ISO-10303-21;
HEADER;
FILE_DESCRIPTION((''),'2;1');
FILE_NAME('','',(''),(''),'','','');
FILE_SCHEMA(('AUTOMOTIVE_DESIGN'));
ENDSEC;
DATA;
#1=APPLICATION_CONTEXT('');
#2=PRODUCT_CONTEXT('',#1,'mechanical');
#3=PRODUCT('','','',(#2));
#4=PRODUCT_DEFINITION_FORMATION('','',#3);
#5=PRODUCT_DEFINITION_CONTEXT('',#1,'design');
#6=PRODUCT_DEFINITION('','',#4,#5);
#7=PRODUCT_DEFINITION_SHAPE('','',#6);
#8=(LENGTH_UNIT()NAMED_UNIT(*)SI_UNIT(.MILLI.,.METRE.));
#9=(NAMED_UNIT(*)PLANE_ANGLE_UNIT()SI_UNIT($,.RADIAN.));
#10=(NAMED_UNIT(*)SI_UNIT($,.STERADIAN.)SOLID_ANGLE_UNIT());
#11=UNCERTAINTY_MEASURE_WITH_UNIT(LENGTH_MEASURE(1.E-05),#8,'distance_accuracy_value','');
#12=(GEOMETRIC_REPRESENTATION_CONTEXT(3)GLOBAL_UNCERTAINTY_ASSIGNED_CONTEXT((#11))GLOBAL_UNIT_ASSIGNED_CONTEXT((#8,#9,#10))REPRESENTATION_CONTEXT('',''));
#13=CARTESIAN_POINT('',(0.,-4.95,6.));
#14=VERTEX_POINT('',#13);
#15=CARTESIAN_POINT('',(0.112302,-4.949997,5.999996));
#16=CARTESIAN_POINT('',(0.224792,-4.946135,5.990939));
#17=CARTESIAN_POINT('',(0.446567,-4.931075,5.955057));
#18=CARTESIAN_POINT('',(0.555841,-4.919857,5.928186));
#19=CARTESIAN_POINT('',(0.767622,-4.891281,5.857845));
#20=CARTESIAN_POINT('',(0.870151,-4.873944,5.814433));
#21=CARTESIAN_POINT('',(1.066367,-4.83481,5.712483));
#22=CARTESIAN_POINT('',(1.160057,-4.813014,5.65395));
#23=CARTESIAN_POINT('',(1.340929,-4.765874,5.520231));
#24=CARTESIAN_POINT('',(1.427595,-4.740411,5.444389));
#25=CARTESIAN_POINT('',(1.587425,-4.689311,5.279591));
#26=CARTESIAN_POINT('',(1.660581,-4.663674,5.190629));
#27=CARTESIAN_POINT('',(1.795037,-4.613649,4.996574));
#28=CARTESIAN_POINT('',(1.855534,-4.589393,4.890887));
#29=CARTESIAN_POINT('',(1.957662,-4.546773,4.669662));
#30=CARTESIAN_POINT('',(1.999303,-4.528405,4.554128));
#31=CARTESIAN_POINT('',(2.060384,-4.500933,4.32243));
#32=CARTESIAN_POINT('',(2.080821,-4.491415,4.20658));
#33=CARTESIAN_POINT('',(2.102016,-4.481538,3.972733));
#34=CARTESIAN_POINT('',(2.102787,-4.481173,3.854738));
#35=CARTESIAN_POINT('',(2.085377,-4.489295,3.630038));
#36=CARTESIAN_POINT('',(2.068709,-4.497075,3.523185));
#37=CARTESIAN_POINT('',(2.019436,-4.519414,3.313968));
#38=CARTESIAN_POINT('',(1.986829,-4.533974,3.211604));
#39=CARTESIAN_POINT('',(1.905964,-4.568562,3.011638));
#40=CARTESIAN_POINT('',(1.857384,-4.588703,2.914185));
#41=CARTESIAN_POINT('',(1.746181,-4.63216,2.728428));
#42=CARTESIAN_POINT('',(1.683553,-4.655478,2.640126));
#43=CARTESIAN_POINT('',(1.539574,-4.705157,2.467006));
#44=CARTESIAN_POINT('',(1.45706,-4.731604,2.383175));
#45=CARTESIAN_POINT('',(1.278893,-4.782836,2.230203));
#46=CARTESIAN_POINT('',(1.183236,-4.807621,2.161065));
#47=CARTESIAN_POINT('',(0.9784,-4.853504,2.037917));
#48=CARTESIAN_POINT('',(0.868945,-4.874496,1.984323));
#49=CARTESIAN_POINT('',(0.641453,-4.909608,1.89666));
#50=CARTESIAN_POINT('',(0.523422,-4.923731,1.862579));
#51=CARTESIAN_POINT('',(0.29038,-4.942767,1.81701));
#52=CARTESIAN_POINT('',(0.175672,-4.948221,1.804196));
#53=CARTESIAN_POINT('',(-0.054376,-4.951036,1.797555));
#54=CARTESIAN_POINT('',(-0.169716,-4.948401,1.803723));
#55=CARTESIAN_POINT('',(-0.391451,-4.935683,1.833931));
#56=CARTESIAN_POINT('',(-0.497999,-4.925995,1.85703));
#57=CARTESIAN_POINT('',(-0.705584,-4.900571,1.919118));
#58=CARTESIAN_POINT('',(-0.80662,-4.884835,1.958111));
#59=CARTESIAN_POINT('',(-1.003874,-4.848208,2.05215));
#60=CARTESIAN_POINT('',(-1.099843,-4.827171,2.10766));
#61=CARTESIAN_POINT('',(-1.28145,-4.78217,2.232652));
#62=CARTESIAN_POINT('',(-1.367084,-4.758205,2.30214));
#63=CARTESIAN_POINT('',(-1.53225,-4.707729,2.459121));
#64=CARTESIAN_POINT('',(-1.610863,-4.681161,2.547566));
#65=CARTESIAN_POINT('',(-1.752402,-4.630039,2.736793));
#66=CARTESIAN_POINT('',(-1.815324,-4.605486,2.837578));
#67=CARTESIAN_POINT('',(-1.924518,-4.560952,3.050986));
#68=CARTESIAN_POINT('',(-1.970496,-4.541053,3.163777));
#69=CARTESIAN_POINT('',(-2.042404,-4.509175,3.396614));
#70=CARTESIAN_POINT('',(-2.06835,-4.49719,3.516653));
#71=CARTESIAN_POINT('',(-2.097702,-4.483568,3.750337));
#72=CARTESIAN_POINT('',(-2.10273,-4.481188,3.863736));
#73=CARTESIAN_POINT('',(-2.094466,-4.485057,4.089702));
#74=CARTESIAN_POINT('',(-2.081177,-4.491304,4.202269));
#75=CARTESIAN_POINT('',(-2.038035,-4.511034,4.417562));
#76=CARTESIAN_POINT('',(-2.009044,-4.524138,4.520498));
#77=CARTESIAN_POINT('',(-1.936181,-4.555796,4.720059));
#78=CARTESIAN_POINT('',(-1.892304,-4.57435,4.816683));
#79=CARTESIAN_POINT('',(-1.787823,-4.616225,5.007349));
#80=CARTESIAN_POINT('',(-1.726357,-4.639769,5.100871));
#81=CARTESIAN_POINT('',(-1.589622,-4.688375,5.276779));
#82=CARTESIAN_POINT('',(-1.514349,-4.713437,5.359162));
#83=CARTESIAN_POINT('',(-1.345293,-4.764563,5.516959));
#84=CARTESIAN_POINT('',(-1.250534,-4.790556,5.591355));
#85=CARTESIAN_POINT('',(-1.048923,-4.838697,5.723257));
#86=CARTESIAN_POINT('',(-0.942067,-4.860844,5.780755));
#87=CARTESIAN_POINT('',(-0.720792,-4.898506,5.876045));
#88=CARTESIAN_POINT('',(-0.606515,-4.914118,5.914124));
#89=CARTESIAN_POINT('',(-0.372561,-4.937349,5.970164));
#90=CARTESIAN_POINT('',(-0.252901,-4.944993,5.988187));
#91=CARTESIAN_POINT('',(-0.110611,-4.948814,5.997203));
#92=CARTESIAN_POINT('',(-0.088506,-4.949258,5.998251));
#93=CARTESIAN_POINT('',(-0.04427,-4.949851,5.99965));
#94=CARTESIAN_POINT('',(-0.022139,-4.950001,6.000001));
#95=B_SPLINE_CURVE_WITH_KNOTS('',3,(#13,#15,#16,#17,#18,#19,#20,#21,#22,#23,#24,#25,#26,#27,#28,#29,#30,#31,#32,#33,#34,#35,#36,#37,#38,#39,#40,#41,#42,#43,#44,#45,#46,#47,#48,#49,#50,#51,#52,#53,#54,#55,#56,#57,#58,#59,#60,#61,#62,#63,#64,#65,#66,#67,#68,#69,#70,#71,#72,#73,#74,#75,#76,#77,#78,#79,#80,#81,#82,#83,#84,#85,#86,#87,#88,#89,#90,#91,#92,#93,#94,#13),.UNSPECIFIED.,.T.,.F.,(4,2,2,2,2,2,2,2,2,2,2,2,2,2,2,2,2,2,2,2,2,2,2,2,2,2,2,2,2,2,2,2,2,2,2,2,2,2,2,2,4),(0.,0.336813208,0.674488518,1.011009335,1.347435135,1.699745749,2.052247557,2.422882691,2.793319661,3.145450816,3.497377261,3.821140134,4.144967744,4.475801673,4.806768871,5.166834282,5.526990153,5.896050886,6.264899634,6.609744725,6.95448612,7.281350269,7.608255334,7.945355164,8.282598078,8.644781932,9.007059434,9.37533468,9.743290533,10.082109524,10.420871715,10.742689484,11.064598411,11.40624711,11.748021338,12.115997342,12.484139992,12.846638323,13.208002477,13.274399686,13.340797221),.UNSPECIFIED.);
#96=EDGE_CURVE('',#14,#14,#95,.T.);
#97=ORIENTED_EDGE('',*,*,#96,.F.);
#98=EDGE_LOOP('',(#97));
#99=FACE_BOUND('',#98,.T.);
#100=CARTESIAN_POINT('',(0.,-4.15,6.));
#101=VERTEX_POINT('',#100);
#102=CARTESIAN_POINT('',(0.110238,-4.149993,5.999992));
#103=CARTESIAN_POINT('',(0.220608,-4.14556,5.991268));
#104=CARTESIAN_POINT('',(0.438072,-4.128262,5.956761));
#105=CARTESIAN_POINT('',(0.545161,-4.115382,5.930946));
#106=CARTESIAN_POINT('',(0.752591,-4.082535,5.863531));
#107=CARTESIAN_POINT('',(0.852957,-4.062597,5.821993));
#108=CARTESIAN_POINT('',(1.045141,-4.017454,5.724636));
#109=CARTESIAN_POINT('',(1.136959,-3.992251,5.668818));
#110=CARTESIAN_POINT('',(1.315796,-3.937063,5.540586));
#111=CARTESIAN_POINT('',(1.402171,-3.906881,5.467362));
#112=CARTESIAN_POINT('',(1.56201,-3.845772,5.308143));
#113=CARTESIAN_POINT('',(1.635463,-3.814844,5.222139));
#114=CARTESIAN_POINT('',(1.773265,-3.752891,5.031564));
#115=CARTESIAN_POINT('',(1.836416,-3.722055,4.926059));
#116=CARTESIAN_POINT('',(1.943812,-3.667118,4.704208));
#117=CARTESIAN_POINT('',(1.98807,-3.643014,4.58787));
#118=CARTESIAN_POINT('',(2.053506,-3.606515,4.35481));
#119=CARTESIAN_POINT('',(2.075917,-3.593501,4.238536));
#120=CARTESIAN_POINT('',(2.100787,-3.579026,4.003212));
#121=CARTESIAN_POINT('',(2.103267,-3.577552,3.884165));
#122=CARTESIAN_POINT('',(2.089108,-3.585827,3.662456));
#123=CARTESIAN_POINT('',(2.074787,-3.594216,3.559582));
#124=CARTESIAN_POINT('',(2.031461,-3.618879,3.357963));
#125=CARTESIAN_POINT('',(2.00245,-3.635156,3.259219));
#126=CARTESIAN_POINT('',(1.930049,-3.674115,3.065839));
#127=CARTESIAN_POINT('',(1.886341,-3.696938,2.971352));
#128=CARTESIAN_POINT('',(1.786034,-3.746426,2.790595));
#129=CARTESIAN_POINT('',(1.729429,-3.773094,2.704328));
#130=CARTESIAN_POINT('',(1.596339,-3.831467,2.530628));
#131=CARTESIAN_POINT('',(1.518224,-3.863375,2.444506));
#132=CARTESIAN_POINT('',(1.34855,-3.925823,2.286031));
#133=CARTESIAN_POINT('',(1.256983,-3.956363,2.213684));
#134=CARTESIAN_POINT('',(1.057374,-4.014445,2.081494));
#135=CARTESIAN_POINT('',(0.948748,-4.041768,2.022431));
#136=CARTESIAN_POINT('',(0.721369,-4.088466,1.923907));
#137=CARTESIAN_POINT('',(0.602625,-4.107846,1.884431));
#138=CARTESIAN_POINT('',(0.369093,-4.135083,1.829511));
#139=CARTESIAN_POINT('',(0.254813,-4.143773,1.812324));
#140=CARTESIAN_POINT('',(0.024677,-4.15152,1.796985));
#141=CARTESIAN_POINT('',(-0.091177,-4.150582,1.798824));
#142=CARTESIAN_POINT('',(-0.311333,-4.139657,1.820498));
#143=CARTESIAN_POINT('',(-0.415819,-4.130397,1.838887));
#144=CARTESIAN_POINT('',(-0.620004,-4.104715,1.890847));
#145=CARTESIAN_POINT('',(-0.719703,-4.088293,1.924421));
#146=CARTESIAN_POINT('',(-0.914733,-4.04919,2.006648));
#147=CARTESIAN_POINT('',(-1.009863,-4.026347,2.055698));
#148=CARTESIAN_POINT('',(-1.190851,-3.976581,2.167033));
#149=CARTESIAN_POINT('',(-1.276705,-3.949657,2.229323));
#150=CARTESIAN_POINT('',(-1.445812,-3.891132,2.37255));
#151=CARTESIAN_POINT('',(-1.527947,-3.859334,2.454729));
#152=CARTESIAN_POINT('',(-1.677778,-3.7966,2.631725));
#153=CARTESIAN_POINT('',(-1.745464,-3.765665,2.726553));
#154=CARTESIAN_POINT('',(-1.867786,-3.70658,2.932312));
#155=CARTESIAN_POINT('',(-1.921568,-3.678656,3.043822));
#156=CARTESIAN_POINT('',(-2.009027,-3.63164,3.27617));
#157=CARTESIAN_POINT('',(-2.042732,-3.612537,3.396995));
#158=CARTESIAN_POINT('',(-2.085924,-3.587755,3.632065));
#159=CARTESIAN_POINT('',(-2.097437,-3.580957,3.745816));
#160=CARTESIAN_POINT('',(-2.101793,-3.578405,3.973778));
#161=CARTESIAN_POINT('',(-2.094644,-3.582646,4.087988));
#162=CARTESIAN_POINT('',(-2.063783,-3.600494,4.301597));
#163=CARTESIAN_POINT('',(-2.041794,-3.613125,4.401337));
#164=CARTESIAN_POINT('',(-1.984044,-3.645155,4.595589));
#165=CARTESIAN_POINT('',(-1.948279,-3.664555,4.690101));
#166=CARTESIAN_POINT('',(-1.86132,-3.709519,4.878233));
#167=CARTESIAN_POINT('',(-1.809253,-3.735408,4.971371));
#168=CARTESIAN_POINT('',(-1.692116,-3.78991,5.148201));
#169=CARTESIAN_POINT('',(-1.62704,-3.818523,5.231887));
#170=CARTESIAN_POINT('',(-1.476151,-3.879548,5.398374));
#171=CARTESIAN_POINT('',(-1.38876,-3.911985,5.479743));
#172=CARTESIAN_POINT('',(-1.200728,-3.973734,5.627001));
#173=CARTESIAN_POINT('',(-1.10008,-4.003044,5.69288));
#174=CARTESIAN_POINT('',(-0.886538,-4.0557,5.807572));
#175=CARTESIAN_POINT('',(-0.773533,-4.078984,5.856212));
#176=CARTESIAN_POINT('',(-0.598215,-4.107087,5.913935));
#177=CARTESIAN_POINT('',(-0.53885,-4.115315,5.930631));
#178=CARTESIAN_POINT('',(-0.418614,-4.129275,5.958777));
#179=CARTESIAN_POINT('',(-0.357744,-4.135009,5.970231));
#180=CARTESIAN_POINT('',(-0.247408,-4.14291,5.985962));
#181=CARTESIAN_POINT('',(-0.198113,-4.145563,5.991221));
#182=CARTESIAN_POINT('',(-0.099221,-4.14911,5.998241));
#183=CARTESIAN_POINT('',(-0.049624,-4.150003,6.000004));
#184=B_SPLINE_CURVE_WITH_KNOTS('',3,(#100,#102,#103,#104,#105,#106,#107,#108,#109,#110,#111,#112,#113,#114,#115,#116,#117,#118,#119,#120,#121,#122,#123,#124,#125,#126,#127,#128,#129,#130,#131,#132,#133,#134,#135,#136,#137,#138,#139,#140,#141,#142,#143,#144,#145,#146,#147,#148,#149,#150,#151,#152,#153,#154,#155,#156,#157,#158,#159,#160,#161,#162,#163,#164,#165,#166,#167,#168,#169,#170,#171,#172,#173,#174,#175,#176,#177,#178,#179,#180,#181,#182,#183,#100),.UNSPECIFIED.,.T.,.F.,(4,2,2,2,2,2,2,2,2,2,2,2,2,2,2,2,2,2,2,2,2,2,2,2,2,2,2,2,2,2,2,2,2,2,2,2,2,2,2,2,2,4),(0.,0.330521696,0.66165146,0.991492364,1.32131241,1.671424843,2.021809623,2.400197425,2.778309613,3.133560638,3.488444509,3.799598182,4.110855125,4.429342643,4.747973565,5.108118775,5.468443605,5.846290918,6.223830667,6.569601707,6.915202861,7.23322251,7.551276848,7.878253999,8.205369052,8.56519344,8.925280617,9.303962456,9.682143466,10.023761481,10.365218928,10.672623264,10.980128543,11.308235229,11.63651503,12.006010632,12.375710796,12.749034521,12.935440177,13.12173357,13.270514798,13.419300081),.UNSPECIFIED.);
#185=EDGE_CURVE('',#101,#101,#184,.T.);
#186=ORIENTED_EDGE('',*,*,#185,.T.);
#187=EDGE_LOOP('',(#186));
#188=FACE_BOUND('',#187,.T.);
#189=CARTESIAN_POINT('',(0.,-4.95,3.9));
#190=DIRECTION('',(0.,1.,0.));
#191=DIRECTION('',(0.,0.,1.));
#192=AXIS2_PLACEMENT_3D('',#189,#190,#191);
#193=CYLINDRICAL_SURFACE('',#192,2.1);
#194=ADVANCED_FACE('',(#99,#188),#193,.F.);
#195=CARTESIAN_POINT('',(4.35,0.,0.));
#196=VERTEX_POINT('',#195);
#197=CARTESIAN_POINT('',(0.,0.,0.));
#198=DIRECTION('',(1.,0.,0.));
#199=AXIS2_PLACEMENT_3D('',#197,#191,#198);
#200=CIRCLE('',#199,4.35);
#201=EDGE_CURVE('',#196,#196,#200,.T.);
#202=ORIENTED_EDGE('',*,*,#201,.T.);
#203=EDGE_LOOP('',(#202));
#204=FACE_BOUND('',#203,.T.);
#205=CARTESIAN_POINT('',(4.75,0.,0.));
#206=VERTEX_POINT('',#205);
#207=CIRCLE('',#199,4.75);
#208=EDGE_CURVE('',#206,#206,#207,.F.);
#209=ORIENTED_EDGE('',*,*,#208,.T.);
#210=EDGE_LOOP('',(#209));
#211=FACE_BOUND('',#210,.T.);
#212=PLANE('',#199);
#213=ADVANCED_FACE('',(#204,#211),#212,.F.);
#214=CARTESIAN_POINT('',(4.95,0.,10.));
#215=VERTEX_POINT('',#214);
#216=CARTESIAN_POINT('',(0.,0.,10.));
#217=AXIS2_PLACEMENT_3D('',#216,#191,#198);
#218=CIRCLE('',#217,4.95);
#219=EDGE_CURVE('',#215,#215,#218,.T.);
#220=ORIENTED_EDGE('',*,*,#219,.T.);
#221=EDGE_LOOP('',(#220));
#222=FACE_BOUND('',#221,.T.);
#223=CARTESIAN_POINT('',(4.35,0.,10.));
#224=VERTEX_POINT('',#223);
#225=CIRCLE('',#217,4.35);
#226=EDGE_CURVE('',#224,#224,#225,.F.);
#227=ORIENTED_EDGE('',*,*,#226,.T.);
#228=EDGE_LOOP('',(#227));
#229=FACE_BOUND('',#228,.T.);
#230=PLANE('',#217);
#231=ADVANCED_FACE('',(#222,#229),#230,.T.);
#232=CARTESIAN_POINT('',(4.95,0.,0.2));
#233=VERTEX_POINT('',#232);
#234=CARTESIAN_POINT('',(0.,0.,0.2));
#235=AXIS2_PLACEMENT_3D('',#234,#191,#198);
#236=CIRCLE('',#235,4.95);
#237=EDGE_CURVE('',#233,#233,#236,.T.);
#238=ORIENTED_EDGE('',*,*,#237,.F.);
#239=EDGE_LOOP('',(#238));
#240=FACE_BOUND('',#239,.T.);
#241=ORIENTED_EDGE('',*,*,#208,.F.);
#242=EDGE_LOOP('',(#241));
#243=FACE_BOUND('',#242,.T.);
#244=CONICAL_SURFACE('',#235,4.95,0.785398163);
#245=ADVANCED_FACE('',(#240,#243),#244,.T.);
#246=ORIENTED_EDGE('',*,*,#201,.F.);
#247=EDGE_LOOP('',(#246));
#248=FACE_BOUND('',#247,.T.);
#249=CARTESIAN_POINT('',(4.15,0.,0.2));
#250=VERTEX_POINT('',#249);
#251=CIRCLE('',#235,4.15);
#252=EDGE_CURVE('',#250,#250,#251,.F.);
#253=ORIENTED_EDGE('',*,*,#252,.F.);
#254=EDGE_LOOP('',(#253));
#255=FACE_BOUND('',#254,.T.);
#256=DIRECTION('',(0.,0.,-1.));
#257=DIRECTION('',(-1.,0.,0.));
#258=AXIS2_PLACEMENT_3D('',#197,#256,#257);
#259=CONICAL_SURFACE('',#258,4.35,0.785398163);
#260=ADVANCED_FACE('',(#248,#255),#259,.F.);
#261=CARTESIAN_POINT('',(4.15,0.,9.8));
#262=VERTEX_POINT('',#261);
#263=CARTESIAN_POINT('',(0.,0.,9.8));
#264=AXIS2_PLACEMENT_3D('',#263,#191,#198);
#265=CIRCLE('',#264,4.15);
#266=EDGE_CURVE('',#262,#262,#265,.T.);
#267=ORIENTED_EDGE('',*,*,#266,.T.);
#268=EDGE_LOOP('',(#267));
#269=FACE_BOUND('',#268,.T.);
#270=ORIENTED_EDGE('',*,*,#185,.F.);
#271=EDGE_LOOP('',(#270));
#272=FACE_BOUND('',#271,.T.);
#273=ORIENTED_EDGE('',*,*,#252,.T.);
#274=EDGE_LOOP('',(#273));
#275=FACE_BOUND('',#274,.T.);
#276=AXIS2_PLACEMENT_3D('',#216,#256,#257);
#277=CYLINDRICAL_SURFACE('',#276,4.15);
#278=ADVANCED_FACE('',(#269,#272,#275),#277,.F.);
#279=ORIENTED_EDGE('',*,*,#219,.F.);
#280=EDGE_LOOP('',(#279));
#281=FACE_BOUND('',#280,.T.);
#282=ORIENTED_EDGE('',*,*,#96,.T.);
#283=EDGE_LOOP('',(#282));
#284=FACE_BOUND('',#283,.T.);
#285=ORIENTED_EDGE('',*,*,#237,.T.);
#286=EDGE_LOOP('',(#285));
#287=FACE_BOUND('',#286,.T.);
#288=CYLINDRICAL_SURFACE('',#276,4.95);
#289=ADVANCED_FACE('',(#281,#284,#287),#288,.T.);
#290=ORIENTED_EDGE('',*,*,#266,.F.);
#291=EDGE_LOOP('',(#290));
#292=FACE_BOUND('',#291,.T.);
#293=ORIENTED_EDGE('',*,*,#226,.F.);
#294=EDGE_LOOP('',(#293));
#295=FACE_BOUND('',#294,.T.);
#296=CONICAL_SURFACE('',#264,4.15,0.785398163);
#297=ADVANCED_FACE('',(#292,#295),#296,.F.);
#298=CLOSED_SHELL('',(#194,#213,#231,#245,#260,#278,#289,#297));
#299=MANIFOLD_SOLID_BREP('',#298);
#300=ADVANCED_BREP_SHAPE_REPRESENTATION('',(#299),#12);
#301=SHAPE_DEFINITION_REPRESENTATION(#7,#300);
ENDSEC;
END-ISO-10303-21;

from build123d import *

# Parameters (mm, degrees)
SKETCH1_R           = 4.95
SKETCH1_R_2         = 4.15
BOSS_EXTRUDE1_DEPTH = 10
CHAMFER1_SIZE       = 0.2
SKETCH2_R           = 2.1
CUT_EXTRUDE1_DEPTH  = 13.206760422


with BuildPart() as part:
    # Sketch1 → Boss-Extrude1 (new body)
    with BuildSketch(Plane.XY):
        Circle(SKETCH1_R)
        Circle(SKETCH1_R_2, mode=Mode.SUBTRACT)
    extrude(amount=BOSS_EXTRUDE1_DEPTH)

    # Chamfer1
    chamfer1_edges = [part.edges().sort_by_distance(p)[0] for p in [
        (-4.95, 0, 0),
        (-4.15, 0, 0),
        (-4.15, 0, 10),
    ]]
    chamfer(chamfer1_edges, length=CHAMFER1_SIZE)

    # Sketch2 → Cut-Extrude1 (cut, through all)
    with BuildSketch(Plane(origin=(0, 0, 0), x_dir=(1, 0, 0), z_dir=(0, 1, 0))):
        with Locations(Location((0, -3.9, 0), (0, 0, 270))):
            Circle(SKETCH2_R)
    extrude(amount=-CUT_EXTRUDE1_DEPTH, mode=Mode.SUBTRACT)


solid = part.part
